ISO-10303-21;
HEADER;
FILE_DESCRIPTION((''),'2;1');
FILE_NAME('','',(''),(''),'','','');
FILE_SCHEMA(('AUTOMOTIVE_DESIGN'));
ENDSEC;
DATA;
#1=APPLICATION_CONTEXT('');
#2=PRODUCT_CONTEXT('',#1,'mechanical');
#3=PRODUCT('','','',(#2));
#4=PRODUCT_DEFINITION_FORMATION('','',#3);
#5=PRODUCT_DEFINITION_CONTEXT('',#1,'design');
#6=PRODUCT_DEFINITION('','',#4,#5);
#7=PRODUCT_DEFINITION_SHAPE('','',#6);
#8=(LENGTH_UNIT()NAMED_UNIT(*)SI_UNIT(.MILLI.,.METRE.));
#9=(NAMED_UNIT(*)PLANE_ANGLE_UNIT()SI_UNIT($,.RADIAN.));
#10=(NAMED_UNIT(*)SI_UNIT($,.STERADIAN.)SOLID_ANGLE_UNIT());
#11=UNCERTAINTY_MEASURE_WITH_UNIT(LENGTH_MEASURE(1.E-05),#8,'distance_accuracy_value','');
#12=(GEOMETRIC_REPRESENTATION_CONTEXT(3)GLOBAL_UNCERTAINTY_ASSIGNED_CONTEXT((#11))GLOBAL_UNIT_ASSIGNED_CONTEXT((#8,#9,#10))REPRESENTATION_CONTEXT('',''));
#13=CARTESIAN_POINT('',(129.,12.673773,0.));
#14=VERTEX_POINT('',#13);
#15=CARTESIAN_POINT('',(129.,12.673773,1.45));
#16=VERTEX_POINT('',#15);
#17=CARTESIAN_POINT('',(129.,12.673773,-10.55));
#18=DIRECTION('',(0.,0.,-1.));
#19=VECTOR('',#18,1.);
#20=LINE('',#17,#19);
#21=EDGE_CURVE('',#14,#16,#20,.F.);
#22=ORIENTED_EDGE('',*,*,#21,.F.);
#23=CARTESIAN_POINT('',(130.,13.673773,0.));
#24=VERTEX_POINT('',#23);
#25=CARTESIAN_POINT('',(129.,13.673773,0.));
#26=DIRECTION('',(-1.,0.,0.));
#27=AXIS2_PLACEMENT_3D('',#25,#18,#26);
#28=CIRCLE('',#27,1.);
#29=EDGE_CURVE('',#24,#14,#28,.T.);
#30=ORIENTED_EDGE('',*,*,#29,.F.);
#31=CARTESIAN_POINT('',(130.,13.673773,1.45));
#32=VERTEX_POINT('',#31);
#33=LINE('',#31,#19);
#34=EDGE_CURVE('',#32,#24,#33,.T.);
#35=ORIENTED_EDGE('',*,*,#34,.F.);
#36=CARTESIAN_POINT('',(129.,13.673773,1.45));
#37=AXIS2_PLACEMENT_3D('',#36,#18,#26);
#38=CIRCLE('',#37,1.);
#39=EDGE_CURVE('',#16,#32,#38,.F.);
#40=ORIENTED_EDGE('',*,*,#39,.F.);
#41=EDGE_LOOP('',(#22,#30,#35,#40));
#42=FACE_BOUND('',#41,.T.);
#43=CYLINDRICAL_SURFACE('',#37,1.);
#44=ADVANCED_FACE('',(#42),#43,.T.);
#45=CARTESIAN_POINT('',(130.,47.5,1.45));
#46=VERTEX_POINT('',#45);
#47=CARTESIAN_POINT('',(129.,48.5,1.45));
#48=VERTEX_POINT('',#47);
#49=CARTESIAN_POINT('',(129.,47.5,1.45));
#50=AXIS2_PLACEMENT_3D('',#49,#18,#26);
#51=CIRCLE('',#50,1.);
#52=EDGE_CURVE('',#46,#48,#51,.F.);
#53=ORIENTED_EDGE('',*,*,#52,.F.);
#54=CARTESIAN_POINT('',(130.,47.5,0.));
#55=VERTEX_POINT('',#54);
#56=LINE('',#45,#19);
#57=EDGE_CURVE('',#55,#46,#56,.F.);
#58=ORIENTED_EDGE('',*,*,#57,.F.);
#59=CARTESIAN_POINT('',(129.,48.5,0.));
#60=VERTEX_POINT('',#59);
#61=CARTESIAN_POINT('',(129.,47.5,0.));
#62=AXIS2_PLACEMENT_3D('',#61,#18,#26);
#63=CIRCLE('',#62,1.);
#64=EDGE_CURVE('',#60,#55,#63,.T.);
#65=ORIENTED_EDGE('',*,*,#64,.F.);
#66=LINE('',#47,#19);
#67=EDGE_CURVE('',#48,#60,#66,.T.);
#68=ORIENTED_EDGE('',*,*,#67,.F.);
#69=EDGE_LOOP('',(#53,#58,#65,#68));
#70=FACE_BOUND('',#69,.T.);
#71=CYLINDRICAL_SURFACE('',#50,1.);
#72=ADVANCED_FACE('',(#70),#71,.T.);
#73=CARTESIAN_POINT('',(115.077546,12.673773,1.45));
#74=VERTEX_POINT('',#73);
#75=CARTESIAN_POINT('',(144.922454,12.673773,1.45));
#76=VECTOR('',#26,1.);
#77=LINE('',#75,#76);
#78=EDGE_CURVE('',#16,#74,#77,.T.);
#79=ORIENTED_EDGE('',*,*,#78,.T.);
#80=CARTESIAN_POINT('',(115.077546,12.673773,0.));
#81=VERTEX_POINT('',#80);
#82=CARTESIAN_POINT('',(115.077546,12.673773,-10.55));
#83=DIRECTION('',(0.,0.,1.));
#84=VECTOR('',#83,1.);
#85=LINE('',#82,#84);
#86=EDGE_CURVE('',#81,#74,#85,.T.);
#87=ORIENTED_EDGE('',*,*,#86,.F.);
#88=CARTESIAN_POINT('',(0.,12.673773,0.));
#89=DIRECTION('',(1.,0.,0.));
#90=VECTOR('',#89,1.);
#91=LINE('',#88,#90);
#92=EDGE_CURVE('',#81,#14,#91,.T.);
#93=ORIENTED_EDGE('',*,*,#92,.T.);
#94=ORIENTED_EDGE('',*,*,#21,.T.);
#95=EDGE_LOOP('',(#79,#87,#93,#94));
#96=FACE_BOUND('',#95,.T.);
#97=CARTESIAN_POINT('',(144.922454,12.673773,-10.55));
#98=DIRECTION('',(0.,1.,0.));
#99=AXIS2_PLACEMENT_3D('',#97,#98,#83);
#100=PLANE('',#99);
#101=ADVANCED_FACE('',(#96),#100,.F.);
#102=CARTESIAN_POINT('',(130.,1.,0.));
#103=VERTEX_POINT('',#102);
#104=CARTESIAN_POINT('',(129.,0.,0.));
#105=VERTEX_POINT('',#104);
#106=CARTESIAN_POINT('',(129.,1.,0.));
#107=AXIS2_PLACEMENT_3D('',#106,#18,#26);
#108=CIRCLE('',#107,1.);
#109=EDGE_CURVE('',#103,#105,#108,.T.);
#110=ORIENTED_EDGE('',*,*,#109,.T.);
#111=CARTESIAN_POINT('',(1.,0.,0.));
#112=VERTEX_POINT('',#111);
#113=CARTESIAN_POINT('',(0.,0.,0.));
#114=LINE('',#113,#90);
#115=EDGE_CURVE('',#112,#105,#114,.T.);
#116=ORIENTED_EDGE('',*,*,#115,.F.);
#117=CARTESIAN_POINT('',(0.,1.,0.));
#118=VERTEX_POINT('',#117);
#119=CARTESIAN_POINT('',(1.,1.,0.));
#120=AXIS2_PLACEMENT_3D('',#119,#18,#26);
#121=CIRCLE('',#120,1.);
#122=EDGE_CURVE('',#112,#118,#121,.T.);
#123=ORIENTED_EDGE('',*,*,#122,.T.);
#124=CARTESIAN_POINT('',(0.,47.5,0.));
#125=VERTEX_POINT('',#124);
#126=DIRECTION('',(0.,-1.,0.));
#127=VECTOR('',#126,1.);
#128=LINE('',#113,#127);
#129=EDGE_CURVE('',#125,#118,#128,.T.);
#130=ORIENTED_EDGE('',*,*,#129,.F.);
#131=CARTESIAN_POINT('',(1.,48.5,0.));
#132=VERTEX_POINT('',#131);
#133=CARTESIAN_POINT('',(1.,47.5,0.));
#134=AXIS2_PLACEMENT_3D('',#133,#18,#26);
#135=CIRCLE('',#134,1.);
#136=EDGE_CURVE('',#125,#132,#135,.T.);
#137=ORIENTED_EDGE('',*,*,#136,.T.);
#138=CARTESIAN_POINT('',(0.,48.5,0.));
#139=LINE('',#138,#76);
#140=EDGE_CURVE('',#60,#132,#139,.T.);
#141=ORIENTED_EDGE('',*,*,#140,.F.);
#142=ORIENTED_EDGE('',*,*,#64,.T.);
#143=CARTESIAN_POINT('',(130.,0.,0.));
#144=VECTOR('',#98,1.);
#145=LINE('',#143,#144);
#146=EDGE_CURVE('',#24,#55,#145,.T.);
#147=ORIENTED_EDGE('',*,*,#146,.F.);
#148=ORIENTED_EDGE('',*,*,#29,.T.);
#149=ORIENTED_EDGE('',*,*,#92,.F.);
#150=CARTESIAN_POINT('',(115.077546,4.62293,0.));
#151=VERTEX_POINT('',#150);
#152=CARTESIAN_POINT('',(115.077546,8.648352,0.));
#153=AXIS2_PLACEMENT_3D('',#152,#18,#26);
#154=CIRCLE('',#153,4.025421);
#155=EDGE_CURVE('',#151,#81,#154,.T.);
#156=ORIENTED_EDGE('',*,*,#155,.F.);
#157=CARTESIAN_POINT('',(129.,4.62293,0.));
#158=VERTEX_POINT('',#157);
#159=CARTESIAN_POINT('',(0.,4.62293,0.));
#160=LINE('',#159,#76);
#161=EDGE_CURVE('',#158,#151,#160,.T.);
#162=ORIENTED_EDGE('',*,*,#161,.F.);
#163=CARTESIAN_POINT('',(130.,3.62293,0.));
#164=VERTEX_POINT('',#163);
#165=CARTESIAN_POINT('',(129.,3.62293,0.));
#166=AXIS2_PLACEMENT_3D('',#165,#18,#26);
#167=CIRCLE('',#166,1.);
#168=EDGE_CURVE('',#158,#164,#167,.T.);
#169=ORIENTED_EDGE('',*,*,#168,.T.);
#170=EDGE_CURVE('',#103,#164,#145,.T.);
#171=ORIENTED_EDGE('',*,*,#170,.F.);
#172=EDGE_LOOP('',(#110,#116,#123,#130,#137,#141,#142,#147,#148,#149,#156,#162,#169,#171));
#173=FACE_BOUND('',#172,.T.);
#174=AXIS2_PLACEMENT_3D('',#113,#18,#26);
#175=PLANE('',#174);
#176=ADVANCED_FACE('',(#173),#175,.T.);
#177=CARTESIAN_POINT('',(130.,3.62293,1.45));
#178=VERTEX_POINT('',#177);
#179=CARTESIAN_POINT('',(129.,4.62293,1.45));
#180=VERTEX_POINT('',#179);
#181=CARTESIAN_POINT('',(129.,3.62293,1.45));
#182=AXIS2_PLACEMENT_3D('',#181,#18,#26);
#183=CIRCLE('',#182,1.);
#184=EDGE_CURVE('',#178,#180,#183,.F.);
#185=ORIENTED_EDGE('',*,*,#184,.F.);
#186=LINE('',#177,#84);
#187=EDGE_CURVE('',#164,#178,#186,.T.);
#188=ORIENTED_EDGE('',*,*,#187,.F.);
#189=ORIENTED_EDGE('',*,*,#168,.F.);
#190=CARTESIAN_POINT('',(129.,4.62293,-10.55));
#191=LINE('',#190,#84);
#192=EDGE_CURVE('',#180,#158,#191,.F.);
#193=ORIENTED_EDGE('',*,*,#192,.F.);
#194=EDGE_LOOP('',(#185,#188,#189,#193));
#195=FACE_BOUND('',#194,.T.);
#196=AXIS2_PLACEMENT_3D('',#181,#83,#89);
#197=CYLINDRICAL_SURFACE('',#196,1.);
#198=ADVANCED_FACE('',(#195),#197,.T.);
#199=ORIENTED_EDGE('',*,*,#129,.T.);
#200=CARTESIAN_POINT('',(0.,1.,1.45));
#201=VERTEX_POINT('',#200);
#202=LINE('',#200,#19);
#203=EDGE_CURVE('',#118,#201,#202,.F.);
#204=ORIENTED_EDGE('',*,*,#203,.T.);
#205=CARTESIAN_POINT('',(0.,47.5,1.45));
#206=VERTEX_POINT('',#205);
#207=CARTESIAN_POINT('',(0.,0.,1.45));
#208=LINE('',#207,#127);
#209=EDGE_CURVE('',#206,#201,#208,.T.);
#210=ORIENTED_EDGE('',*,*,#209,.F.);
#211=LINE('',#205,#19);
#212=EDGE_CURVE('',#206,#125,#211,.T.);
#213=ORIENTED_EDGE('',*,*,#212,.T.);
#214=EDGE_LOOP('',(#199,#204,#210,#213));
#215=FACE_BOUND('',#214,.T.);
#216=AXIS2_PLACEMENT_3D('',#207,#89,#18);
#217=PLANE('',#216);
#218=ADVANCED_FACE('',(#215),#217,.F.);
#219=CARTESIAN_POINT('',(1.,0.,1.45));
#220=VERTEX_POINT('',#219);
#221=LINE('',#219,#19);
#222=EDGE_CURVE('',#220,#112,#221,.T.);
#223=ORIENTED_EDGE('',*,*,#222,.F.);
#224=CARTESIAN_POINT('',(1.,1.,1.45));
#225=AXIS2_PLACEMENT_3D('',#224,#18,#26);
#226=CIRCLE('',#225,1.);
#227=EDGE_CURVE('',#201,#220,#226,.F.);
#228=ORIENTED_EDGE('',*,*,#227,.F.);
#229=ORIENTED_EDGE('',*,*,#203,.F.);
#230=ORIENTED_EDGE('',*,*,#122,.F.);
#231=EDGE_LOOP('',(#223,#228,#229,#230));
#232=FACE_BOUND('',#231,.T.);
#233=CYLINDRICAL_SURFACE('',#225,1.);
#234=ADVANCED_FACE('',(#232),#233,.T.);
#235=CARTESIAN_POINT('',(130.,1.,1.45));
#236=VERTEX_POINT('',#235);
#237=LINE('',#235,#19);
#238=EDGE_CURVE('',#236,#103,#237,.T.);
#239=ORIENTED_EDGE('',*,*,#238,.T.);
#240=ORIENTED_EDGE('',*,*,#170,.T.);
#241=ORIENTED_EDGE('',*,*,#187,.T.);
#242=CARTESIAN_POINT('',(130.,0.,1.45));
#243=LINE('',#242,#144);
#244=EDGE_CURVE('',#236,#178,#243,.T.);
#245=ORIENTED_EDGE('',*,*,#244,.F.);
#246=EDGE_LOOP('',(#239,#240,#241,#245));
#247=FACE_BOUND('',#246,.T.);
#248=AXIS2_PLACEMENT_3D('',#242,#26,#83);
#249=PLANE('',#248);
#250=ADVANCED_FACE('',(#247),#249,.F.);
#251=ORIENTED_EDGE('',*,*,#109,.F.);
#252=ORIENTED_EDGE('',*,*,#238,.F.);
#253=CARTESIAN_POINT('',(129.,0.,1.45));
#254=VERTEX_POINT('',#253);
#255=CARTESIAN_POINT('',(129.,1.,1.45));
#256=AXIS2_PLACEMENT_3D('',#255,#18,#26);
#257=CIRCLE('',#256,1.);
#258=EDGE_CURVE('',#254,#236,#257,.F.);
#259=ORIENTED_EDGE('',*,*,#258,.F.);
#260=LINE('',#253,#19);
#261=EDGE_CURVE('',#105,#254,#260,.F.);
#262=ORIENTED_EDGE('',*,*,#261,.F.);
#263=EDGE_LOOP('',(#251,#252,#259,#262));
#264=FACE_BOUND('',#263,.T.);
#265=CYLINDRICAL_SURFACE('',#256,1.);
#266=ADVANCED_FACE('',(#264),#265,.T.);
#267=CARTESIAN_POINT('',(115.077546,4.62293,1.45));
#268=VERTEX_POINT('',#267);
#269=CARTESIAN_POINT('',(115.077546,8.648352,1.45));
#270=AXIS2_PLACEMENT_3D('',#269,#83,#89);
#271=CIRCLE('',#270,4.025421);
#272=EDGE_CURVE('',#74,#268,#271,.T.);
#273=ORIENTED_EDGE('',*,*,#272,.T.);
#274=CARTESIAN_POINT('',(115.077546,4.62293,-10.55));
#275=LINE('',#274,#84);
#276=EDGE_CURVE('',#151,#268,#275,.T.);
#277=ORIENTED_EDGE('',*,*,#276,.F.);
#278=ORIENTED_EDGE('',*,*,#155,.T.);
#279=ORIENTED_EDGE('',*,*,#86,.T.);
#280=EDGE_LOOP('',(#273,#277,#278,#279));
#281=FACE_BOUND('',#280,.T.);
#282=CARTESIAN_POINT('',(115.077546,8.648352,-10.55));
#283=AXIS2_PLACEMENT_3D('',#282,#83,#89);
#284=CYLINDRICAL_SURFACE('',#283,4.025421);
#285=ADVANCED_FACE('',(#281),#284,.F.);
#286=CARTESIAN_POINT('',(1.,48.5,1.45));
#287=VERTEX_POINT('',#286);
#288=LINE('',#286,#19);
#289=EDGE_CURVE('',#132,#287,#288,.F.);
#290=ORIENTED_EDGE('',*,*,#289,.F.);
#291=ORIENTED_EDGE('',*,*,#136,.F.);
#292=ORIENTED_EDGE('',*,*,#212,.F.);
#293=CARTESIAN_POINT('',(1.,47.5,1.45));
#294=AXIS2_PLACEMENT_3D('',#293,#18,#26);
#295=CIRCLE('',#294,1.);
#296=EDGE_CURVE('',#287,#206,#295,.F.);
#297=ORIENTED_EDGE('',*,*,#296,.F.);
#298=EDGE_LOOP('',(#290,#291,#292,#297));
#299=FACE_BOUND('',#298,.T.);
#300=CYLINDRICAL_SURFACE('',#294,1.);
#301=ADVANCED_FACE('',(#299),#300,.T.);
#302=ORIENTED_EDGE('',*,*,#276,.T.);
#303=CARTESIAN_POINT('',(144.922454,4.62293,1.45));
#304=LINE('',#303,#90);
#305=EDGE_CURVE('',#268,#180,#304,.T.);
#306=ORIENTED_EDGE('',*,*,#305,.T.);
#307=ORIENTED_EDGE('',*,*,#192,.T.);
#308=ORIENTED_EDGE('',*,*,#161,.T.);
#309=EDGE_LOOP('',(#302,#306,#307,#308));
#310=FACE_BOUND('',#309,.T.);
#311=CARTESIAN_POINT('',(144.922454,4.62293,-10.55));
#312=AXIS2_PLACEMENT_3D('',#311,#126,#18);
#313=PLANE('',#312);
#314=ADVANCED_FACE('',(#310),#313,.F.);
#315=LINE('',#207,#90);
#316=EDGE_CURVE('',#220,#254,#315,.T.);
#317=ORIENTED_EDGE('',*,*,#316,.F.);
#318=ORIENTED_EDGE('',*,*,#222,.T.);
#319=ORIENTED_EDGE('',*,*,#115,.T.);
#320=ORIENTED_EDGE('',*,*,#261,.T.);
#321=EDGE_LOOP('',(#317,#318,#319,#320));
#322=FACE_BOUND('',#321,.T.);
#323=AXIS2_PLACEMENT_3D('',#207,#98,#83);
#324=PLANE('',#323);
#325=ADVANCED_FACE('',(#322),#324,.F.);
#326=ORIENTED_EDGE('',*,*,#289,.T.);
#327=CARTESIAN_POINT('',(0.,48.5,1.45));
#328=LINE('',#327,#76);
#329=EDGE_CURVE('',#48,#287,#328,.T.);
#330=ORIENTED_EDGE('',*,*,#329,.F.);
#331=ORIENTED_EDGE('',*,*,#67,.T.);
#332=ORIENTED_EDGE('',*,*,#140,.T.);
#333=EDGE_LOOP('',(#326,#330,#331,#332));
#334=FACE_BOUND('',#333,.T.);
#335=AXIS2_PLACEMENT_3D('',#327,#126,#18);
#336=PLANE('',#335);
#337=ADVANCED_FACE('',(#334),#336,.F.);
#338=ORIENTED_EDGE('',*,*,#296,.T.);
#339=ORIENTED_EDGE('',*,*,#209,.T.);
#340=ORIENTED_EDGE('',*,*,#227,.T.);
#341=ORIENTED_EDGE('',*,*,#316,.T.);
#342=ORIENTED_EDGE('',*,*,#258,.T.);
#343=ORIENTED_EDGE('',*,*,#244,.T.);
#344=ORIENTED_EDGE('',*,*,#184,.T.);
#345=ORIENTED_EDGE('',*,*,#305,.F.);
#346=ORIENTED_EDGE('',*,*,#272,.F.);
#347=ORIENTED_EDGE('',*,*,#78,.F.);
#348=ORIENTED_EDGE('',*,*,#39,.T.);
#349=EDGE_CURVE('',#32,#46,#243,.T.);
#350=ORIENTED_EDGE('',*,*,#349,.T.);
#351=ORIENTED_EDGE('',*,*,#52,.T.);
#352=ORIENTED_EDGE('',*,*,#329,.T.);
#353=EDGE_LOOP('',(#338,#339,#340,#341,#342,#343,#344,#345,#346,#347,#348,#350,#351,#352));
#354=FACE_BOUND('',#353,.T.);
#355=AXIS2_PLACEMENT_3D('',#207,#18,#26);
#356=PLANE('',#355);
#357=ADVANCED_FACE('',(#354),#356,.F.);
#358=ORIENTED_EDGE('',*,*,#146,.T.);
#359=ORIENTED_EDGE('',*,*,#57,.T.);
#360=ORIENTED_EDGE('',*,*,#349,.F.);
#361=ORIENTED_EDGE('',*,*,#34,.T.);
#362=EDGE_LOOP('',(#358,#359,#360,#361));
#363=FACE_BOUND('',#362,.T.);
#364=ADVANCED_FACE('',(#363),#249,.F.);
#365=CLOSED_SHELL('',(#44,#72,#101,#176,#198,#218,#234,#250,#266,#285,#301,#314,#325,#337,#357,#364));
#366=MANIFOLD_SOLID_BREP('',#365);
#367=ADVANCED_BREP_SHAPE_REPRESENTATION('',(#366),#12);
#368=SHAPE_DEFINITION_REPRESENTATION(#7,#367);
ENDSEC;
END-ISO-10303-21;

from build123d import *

# Parameters (mm, degrees)
SCHIZZO1_W                   = 130
SCHIZZO1_H                   = 48.5
ESTRUSIONE_ESTRUSIONE1_DEPTH = 1.45
TAGLIO_ESTRUSIONE1_DEPTH     = 12
RACCORDO1_R                  = 1


with BuildPart() as part:
    # Schizzo1 → Estrusione-Estrusione1 (new body)
    with BuildSketch(Plane.XY):
        with Locations((65, 24.25)):
            Rectangle(SCHIZZO1_W, SCHIZZO1_H)
    extrude(amount=ESTRUSIONE_ESTRUSIONE1_DEPTH)

    # Schizzo2 → Taglio-Estrusione1 (cut)
    with BuildSketch(Plane.XY.offset(1.45)):
        with BuildLine():
            Line((144.922454277, 4.622930456), (115.077545723, 4.622930456))
            ThreePointArc((115.077545723, 4.622930456), (111.052124488, 8.64835169), (115.077545723, 12.673772925))
            Line((115.077545723, 12.673772925), (144.922454277, 12.673772925))
            ThreePointArc((144.922454277, 12.673772925), (148.947875512, 8.64835169), (144.922454277, 4.622930456))
        make_face()
    extrude(amount=-TAGLIO_ESTRUSIONE1_DEPTH, mode=Mode.SUBTRACT)

    # Raccordo1
    raccordo1_edges = [part.edges().sort_by_distance(p)[0] for p in [
        (130, 4.622930456, 0.725),
        (130, 12.673772925, 0.725),
        (0, 48.5, 0.725),
        (130, 48.5, 0.725),
        (130, 0, 0.725),
        (0, 0, 0.725),
    ]]
    fillet(raccordo1_edges, radius=RACCORDO1_R)


solid = part.part
